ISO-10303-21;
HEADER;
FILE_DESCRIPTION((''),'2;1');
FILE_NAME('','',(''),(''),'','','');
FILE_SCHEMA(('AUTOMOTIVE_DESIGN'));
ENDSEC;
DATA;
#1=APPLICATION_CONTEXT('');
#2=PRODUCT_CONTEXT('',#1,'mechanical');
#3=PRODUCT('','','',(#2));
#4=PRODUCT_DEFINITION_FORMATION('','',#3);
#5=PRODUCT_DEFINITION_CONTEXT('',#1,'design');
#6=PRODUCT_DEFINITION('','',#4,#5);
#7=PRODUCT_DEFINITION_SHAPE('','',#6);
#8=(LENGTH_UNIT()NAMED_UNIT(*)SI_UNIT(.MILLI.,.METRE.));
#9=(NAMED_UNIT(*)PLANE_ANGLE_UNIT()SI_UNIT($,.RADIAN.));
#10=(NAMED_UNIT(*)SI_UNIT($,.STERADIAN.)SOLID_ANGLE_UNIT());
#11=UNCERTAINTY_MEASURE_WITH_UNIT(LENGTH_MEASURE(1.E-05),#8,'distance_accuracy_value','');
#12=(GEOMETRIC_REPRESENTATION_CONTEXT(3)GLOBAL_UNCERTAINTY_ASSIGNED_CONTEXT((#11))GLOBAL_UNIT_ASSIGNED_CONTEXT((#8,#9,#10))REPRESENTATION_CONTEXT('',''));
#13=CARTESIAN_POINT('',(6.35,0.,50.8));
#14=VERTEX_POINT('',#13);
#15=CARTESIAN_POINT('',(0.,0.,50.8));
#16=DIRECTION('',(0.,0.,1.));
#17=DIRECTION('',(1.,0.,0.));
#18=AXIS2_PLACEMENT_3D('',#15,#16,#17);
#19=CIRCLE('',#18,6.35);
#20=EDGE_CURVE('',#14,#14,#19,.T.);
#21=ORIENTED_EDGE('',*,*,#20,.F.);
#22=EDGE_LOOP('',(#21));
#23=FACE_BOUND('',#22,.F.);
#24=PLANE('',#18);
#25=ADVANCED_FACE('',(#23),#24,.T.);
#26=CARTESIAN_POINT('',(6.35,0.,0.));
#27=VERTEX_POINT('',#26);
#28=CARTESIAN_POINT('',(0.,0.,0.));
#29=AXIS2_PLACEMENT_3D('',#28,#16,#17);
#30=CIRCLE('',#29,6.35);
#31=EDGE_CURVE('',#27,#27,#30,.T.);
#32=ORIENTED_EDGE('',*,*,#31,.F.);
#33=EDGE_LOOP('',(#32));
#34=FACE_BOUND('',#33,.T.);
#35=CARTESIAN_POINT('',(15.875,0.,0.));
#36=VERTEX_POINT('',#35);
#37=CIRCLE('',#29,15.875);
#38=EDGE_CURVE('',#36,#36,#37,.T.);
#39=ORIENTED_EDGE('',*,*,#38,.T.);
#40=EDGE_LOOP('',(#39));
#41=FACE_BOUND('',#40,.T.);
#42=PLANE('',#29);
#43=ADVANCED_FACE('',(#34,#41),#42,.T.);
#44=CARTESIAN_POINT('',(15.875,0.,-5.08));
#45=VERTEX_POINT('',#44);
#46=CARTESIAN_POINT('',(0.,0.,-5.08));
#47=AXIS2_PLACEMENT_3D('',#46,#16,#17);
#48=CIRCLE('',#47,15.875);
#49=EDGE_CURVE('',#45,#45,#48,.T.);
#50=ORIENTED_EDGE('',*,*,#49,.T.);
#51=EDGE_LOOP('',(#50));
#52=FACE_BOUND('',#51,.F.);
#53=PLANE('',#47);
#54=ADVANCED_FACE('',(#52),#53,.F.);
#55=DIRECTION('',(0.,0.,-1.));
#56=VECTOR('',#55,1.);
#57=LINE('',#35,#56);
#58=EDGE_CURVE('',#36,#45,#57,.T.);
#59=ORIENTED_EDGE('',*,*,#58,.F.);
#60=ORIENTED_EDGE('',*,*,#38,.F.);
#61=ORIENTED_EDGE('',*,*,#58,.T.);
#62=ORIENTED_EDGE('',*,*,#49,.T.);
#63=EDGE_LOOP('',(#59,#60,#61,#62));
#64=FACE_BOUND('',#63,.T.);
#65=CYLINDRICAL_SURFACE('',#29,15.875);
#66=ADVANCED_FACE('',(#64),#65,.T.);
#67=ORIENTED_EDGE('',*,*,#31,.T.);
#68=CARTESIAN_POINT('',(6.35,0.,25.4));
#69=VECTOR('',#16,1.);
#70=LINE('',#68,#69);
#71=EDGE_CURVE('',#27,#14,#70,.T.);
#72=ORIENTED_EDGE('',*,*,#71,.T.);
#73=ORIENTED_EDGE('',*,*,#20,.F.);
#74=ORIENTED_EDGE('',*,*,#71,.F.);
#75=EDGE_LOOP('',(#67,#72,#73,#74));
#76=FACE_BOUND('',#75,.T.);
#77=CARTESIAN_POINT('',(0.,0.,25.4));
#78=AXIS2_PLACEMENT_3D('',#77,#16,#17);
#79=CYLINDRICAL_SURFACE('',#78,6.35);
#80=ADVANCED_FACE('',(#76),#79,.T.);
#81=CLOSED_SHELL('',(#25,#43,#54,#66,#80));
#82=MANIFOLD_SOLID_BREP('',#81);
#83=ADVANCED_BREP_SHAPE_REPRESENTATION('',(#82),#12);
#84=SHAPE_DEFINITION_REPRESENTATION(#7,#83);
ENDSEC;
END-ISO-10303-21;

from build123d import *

# Parameters (mm, degrees)
F0_W     = 6.35
F0_H     = 50.8
F2_R     = 15.875
F3_DEPTH = 5.08


with BuildPart() as f1:
    # F0 (on Front) → F1 (revolve)
    with BuildSketch(Plane.XZ):
        with Locations((3.175, 25.4)):
            Rectangle(F0_W, F0_H)
    revolve(axis=Axis((0, 0, 25.4), (0, 0, 1)))

    # F2 (on Top) → F3 (join)
    with BuildSketch(Plane.XY):
        Circle(F2_R)
    extrude(amount=-F3_DEPTH)


solid = f1.part
